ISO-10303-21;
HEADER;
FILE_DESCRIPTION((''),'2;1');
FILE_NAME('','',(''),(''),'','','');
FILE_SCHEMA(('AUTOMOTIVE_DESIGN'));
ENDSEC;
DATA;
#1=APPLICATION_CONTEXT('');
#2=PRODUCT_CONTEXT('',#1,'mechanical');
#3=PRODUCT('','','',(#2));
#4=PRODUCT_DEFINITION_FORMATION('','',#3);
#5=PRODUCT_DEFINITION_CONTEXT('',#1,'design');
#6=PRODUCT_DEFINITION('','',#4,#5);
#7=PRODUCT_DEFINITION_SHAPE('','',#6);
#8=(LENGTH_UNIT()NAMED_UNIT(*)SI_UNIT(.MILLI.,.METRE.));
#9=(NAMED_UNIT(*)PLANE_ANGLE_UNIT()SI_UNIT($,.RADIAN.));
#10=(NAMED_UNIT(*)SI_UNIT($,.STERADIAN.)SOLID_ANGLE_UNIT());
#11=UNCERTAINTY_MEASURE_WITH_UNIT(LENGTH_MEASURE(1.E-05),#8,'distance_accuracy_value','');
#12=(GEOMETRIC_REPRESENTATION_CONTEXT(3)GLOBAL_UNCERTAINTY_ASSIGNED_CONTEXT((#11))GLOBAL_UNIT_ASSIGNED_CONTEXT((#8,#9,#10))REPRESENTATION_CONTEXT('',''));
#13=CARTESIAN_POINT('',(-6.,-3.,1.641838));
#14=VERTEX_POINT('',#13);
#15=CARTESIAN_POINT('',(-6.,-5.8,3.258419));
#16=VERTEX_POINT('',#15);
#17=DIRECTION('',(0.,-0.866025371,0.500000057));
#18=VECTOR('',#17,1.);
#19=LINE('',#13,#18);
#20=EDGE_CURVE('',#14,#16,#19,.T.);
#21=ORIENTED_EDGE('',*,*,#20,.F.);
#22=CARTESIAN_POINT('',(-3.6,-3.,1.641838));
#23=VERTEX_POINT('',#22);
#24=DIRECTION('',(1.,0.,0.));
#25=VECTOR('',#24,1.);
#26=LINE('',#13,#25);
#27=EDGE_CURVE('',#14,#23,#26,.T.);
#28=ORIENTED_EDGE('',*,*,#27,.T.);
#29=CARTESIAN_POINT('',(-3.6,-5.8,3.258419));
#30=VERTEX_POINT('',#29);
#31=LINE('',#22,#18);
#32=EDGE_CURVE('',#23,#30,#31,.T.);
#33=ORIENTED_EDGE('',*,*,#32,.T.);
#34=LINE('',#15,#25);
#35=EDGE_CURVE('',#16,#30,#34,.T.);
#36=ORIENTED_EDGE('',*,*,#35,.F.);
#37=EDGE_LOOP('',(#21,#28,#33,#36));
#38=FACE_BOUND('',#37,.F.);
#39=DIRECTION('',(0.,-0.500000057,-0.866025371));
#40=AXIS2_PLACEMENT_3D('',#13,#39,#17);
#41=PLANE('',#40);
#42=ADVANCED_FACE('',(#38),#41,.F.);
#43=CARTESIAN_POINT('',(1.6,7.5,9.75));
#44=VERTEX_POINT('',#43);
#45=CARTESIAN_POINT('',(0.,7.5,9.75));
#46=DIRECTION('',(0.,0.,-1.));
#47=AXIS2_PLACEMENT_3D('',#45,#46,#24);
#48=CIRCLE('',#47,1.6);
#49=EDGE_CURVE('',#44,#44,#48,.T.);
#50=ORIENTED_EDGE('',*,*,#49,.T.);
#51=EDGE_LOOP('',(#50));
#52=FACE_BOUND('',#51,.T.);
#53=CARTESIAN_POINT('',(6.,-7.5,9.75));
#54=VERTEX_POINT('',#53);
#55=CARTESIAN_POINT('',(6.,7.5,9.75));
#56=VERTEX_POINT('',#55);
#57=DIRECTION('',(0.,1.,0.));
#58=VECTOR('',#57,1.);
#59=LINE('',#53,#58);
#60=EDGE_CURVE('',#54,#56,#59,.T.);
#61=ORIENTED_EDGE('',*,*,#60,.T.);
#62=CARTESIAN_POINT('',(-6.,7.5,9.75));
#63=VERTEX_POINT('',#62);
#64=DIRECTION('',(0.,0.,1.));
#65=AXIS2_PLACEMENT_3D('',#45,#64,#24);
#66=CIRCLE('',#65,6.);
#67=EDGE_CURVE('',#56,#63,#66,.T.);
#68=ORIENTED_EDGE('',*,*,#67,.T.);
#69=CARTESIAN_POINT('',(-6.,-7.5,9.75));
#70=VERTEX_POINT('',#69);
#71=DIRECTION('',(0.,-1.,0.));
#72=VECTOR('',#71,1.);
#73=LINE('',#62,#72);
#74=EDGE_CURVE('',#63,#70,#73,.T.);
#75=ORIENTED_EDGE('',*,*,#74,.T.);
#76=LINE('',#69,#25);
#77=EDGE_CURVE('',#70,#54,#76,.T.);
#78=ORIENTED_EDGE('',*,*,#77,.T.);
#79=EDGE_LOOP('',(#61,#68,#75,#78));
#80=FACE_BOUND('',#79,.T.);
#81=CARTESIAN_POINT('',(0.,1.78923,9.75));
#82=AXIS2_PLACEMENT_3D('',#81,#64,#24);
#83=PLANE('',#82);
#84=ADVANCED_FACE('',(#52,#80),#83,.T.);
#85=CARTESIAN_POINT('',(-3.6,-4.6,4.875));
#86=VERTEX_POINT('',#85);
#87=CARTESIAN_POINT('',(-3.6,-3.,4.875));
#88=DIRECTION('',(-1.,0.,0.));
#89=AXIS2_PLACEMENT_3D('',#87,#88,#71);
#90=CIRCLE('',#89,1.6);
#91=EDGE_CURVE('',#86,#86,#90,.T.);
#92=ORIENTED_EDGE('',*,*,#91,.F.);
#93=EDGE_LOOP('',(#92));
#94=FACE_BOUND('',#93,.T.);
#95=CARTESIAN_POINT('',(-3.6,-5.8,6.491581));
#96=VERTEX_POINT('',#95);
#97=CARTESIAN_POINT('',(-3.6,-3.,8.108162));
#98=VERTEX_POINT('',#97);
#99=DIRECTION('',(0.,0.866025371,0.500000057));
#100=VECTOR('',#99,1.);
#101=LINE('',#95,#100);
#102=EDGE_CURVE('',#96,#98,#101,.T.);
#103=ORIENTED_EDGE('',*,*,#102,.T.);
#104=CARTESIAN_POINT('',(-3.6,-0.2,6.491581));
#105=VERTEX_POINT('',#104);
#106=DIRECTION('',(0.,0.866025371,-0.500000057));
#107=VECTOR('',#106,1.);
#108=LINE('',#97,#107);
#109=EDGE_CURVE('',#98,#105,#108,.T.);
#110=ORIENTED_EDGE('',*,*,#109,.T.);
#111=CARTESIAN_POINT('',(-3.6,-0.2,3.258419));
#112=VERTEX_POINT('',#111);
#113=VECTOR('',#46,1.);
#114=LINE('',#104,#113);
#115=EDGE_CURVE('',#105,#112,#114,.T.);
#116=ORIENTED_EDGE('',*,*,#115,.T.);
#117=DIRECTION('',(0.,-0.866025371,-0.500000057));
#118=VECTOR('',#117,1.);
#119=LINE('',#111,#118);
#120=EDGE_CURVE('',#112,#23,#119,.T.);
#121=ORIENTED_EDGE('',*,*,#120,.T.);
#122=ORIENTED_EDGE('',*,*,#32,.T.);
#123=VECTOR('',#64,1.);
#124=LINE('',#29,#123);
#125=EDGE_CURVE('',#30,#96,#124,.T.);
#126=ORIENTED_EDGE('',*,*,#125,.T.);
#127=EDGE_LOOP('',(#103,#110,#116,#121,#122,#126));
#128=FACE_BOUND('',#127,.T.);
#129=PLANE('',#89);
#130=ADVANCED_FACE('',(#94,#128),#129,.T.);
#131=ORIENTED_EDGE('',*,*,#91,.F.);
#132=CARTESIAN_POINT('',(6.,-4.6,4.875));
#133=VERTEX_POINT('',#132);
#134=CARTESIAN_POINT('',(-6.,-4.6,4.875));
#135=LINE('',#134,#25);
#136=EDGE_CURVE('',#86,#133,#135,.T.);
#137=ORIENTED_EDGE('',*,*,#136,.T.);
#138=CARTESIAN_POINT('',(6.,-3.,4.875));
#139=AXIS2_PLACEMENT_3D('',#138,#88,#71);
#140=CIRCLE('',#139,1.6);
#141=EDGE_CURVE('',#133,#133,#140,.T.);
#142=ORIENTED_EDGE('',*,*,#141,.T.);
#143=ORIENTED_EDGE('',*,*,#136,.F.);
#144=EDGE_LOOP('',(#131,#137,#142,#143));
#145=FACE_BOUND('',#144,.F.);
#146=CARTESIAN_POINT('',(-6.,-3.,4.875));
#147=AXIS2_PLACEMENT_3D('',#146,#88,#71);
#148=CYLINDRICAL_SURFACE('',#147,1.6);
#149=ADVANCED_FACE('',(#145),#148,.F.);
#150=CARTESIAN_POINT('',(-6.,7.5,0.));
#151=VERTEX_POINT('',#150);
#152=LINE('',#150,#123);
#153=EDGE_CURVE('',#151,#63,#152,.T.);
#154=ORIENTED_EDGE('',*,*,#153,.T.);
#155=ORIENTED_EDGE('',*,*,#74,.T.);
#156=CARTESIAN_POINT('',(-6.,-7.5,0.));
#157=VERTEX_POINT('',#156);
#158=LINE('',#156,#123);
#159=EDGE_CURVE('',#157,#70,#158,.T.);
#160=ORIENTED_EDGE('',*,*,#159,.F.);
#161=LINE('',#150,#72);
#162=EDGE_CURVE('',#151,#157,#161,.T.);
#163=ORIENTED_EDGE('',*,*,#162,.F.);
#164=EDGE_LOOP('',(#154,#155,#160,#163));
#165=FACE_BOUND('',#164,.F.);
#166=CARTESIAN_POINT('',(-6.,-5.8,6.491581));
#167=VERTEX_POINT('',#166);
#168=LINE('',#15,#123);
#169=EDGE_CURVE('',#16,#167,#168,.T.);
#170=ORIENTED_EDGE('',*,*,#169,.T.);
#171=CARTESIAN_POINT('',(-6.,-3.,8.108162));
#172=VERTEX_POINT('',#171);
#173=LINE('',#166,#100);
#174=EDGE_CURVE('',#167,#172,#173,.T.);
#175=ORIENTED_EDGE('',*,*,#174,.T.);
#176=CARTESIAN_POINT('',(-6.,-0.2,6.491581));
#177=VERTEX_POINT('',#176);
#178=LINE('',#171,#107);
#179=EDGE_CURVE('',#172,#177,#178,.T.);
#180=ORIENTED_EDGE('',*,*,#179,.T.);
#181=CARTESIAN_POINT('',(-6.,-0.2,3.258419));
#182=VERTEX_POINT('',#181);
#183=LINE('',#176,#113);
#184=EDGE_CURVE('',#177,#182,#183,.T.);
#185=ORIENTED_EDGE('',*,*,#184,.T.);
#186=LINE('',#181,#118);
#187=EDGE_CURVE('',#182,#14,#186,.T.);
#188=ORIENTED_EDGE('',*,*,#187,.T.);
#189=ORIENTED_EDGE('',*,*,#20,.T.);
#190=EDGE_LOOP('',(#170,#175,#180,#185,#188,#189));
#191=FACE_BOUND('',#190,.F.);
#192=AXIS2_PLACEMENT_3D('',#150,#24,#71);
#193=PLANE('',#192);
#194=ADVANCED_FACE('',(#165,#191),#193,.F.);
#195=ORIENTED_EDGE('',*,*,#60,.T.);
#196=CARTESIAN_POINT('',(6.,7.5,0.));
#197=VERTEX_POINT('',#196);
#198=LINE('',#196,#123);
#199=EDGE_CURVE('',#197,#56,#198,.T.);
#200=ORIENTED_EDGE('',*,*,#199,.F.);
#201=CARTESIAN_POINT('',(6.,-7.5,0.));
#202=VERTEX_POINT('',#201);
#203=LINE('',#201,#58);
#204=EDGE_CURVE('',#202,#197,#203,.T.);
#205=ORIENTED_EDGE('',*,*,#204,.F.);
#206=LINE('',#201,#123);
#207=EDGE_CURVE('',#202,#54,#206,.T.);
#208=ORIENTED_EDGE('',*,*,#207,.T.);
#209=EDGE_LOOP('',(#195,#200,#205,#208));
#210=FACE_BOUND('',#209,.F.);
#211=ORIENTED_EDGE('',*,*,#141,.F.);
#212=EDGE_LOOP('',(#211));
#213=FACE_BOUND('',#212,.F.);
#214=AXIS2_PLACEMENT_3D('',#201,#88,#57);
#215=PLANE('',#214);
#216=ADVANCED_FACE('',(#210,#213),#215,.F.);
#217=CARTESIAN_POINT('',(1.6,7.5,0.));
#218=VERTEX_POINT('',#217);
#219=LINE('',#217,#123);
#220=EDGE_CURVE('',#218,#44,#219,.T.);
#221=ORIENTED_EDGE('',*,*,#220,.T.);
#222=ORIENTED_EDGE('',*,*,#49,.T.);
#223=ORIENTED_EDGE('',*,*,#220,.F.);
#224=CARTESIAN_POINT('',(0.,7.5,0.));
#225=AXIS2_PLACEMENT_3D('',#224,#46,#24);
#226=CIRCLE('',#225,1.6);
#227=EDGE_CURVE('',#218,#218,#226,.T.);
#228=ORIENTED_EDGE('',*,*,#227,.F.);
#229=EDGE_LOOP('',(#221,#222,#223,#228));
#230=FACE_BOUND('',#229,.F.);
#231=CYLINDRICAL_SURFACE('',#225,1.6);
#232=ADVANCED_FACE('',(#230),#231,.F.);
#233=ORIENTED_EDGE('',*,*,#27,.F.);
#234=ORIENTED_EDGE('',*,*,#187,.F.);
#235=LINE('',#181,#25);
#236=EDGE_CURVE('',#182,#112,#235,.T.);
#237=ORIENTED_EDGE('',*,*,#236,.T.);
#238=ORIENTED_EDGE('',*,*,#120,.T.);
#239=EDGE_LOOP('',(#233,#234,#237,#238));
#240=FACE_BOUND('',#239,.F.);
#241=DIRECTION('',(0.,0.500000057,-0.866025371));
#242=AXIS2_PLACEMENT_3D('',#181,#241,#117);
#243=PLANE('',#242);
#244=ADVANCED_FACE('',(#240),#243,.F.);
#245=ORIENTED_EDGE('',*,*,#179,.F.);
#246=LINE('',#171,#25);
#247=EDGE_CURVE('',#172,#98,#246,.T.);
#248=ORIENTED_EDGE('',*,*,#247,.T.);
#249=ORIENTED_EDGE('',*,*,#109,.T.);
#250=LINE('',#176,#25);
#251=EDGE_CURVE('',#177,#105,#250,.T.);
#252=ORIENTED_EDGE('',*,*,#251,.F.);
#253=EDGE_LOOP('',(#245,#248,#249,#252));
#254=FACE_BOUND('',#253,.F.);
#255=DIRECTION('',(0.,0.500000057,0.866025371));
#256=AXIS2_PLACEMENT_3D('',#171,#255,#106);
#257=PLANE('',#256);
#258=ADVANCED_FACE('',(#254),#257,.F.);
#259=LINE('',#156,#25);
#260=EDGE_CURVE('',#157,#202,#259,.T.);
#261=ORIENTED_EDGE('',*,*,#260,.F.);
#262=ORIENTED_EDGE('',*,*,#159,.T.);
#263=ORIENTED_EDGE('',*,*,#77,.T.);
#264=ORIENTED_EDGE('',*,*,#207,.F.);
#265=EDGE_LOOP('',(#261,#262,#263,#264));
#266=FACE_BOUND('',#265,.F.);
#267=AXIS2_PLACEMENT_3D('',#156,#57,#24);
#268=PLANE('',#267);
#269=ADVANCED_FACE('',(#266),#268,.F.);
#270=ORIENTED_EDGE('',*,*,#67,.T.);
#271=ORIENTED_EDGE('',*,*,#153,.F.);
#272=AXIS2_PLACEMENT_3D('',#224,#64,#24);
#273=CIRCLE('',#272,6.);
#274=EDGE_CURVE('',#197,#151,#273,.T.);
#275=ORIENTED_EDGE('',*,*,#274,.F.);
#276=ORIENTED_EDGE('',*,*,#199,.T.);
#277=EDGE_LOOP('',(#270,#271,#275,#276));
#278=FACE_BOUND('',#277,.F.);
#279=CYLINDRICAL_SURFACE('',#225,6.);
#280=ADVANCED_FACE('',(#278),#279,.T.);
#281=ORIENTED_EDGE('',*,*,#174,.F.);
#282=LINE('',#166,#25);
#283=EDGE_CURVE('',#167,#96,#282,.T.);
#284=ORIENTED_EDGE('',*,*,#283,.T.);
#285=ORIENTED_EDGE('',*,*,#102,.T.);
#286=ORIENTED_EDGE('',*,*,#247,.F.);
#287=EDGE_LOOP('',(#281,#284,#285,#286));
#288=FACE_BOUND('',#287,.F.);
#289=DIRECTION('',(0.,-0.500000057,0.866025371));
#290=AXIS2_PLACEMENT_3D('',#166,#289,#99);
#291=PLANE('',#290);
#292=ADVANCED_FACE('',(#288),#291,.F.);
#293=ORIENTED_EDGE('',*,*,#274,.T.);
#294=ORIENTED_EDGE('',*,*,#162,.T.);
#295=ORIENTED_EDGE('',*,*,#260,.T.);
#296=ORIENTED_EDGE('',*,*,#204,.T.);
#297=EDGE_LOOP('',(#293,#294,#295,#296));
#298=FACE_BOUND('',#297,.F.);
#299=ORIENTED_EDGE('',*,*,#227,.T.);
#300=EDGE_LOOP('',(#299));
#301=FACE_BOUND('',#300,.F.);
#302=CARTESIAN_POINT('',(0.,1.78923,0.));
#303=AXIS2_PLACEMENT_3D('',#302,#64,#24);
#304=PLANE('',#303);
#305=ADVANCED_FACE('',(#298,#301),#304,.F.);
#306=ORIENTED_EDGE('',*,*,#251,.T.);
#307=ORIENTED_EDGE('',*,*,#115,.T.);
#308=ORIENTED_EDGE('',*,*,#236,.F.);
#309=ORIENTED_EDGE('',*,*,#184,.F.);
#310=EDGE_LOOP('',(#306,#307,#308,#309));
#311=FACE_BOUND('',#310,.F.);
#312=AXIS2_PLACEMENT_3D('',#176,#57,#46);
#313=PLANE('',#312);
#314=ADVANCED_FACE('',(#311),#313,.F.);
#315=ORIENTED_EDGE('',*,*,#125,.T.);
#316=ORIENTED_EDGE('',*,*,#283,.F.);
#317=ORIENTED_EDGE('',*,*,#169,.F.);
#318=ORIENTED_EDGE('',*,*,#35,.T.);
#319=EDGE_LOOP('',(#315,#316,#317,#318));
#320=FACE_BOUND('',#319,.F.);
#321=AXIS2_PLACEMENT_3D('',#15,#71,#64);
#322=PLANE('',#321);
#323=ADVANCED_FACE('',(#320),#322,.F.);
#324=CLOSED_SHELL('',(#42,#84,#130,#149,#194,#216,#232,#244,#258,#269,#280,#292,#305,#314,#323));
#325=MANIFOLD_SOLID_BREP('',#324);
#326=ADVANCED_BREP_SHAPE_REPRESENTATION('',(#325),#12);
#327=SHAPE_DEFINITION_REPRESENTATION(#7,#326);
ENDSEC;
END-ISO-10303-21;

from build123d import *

# Parameters (mm, degrees)
PAD_DEPTH       = 9.75
SKETCH001_R     = 1.6
POCKET_DEPTH    = 9.751
SKETCH002_R     = 1.6
POCKET001_DEPTH = 12.001
POCKET002_DEPTH = 2.4


with BuildPart() as part:
    # Sketch → Pad (new body)
    with BuildSketch(Plane.XY):
        with BuildLine():
            ThreePointArc((6, 7.5), (0, 13.5), (-6, 7.5))
            Line((-6, 7.5), (-6, -7.5))
            Line((-6, -7.5), (6, -7.5))
            Line((6, -7.5), (6, 7.5))
        make_face()
    extrude(amount=PAD_DEPTH)

    # Sketch001 (on Face5 of Pad) → Pocket (cut, through all)
    with BuildSketch(Plane(origin=(0, 0, 0), x_dir=(1, 0, 0), z_dir=(0, 0, -1))):
        with Locations((0, -7.5)):
            Circle(SKETCH001_R)
    extrude(amount=-POCKET_DEPTH, mode=Mode.SUBTRACT)

    # Sketch002 (on Face3 of Pocket) → Pocket001 (cut, through all)
    with BuildSketch(Plane(origin=(-6, 0, 0), x_dir=(0, -1, 0), z_dir=(-1, 0, 0))):
        with Locations((3, 4.875)):
            Circle(SKETCH002_R)
    extrude(amount=-POCKET001_DEPTH, mode=Mode.SUBTRACT)

    # Sketch003 (on Face3 of Pocket001) → Pocket002 (cut)
    with BuildSketch(Plane(origin=(-6, 0, 0), x_dir=(0, -1, 0), z_dir=(-1, 0, 0))):
        Polygon((5.8, 6.491581), (3, 8.108162), (0.2, 6.491581), (0.2, 3.258419), (3, 1.641838), (5.8, 3.258419), align=None)
    extrude(amount=-POCKET002_DEPTH, mode=Mode.SUBTRACT)


solid = part.part
